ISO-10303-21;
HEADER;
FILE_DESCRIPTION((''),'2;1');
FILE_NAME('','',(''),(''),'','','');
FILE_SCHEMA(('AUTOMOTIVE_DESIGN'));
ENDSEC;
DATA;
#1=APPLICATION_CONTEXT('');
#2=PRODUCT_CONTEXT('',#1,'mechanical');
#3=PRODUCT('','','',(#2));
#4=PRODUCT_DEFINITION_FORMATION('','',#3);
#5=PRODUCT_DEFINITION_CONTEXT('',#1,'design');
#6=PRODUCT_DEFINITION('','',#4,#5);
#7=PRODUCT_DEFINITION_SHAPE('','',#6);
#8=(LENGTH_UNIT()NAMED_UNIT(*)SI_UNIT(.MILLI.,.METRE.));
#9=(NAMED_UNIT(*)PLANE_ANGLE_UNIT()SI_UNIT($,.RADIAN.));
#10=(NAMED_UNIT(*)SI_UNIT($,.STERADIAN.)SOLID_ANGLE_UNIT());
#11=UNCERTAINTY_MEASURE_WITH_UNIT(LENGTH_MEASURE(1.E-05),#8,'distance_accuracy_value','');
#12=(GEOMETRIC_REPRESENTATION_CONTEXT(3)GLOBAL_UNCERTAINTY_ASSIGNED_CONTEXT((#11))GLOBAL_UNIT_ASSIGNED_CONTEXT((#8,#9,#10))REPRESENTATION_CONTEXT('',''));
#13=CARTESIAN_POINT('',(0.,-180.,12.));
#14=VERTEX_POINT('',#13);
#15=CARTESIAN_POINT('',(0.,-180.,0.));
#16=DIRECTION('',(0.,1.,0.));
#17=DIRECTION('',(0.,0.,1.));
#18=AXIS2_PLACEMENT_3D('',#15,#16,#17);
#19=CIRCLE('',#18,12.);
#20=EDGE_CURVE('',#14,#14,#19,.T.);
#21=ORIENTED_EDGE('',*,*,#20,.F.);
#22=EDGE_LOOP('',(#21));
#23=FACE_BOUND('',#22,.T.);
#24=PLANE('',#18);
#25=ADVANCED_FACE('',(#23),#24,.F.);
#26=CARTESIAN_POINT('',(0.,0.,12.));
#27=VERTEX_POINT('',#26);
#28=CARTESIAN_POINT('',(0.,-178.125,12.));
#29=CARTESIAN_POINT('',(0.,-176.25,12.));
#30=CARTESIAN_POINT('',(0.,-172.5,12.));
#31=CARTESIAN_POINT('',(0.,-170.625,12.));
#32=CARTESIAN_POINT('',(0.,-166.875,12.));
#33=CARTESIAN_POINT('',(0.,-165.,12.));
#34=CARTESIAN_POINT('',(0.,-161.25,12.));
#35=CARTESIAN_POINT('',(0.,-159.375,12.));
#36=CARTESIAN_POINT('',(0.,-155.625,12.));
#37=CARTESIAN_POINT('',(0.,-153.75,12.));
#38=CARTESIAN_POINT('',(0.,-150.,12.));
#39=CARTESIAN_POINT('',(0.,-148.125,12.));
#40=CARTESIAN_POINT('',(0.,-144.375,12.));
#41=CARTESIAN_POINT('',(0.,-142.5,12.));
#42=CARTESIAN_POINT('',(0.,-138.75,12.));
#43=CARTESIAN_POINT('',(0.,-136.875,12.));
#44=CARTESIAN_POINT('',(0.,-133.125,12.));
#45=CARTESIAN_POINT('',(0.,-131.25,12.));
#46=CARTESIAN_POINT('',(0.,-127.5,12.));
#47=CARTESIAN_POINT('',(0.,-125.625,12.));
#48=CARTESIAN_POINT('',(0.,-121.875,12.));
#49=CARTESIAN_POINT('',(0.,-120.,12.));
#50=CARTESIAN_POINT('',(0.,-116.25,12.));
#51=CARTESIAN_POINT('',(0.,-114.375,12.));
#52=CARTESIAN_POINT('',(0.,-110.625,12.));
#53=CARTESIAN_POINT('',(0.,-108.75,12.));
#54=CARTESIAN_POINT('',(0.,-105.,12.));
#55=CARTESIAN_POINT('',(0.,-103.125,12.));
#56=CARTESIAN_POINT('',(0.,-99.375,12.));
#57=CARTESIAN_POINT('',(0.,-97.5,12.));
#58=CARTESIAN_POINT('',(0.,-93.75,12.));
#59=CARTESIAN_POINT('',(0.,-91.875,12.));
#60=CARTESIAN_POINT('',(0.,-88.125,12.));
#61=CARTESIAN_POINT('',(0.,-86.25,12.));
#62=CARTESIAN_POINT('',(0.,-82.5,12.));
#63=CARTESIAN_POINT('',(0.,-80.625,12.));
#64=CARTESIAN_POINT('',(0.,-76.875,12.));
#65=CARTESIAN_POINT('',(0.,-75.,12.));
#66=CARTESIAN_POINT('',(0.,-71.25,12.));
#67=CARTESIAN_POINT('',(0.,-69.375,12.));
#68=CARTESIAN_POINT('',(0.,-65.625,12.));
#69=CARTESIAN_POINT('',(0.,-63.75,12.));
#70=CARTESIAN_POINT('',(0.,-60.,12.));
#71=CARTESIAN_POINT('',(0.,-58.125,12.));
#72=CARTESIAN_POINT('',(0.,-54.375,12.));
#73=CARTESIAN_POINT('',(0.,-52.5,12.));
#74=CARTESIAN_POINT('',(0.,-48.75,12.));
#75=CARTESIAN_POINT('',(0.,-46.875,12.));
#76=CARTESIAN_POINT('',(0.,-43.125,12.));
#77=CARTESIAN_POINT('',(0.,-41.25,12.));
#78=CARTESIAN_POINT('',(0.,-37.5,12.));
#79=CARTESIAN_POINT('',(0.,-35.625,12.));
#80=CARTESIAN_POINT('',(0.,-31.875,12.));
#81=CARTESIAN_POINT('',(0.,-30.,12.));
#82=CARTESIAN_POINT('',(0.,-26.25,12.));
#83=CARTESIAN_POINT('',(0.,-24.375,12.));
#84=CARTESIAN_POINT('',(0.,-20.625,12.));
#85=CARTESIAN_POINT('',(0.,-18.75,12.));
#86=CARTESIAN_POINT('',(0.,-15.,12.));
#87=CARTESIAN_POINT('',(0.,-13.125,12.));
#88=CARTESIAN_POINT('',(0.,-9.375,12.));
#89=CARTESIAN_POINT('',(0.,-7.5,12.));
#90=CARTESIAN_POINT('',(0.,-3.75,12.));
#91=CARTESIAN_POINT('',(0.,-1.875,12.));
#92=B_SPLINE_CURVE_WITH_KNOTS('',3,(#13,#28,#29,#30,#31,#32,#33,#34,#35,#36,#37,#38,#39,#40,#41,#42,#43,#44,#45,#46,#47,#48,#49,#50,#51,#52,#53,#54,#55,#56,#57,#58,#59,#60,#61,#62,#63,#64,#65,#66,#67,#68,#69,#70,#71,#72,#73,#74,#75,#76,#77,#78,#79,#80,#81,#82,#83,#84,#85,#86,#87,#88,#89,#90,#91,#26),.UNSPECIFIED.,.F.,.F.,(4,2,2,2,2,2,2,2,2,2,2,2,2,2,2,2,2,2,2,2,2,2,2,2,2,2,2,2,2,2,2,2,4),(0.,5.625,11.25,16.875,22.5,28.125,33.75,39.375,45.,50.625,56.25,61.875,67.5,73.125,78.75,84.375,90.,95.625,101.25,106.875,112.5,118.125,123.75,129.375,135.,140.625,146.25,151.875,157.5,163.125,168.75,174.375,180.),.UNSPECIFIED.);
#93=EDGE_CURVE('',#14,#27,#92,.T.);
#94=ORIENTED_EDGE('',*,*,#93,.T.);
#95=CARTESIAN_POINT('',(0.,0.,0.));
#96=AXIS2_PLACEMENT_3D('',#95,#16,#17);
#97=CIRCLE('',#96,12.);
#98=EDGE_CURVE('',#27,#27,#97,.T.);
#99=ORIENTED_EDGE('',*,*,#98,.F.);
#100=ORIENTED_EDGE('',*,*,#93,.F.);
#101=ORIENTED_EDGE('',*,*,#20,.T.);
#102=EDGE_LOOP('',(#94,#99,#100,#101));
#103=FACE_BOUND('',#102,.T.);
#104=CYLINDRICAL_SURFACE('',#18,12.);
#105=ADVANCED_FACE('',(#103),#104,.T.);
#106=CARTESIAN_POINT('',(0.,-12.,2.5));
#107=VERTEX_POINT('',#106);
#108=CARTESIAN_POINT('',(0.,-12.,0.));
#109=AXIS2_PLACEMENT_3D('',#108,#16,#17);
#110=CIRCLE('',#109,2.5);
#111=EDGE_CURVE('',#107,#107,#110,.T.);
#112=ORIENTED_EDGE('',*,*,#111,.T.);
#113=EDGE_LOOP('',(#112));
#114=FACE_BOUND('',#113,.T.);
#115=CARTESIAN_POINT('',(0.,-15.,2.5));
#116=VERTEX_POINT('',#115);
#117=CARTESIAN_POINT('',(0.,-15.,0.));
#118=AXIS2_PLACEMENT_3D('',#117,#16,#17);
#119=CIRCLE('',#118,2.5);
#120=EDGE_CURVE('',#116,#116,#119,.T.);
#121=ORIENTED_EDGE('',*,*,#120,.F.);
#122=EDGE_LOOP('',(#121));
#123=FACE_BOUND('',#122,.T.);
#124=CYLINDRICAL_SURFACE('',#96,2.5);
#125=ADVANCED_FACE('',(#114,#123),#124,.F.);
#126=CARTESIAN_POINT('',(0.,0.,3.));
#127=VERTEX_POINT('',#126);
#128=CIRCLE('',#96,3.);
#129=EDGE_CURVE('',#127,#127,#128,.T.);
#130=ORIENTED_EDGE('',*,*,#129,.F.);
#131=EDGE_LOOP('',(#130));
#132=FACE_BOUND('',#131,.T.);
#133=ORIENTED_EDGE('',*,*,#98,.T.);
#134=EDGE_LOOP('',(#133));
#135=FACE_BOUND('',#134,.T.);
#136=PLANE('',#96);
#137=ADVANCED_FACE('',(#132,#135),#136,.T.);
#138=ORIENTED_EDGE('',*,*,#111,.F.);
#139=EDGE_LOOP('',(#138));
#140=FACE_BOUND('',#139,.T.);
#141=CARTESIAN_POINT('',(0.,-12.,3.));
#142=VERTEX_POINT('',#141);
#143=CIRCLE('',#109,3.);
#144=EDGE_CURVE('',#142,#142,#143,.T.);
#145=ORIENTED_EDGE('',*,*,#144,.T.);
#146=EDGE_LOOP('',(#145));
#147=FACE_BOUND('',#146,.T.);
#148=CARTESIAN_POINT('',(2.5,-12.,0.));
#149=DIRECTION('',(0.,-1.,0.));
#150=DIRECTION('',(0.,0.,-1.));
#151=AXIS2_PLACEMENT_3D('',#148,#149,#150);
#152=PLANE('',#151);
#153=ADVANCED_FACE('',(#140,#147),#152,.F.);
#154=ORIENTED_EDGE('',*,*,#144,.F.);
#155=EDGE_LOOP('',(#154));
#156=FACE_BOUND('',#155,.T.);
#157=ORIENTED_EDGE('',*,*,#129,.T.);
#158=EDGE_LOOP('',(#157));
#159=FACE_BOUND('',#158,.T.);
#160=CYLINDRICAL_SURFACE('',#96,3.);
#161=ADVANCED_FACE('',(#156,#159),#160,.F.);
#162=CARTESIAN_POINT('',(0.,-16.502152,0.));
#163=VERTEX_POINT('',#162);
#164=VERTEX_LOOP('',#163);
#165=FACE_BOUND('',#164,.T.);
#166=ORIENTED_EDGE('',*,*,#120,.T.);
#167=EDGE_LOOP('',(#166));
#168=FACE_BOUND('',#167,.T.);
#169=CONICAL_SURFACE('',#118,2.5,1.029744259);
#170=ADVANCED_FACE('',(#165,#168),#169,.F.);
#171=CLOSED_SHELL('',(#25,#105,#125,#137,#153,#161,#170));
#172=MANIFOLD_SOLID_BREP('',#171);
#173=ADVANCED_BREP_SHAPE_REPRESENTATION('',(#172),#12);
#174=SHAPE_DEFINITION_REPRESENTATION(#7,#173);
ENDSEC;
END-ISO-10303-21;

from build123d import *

# Parameters (mm, degrees)
SKETCH1_R                   = 12
EXTRUDE1_DEPTH              = 180
M6_TAPPED_HOLE1_D           = 5
M6_TAPPED_HOLE1_DEPTH       = 15
M6_TAPPED_HOLE1_CBORE_D     = 6
M6_TAPPED_HOLE1_CBORE_DEPTH = 12
M6_TAPPED_HOLE1_TIP         = 1.502151548


with BuildPart() as part:
    # Sketch1 → Extrude1 (new body)
    with BuildSketch(Plane(origin=(0, 0, 0), x_dir=(1, 0, 0), z_dir=(0, 1, 0))):
        with Locations(Location((0, 0, 0), (0, 0, 270))):
            Circle(SKETCH1_R)
    extrude(amount=-EXTRUDE1_DEPTH)

    # M6 Tapped Hole1
    with Locations(Plane(origin=(0, 0, 0), x_dir=(-1, 0, 0), z_dir=(0, 1, 0))):
        with Locations((0, 0)):
            CounterBoreHole(M6_TAPPED_HOLE1_D / 2, M6_TAPPED_HOLE1_CBORE_D / 2, M6_TAPPED_HOLE1_CBORE_DEPTH, depth=M6_TAPPED_HOLE1_DEPTH)
            with Locations((0, 0, -(M6_TAPPED_HOLE1_DEPTH + M6_TAPPED_HOLE1_TIP / 2))):  # 118° drill point
                Cone(0, M6_TAPPED_HOLE1_D / 2, M6_TAPPED_HOLE1_TIP, mode=Mode.SUBTRACT)


solid = part.part
